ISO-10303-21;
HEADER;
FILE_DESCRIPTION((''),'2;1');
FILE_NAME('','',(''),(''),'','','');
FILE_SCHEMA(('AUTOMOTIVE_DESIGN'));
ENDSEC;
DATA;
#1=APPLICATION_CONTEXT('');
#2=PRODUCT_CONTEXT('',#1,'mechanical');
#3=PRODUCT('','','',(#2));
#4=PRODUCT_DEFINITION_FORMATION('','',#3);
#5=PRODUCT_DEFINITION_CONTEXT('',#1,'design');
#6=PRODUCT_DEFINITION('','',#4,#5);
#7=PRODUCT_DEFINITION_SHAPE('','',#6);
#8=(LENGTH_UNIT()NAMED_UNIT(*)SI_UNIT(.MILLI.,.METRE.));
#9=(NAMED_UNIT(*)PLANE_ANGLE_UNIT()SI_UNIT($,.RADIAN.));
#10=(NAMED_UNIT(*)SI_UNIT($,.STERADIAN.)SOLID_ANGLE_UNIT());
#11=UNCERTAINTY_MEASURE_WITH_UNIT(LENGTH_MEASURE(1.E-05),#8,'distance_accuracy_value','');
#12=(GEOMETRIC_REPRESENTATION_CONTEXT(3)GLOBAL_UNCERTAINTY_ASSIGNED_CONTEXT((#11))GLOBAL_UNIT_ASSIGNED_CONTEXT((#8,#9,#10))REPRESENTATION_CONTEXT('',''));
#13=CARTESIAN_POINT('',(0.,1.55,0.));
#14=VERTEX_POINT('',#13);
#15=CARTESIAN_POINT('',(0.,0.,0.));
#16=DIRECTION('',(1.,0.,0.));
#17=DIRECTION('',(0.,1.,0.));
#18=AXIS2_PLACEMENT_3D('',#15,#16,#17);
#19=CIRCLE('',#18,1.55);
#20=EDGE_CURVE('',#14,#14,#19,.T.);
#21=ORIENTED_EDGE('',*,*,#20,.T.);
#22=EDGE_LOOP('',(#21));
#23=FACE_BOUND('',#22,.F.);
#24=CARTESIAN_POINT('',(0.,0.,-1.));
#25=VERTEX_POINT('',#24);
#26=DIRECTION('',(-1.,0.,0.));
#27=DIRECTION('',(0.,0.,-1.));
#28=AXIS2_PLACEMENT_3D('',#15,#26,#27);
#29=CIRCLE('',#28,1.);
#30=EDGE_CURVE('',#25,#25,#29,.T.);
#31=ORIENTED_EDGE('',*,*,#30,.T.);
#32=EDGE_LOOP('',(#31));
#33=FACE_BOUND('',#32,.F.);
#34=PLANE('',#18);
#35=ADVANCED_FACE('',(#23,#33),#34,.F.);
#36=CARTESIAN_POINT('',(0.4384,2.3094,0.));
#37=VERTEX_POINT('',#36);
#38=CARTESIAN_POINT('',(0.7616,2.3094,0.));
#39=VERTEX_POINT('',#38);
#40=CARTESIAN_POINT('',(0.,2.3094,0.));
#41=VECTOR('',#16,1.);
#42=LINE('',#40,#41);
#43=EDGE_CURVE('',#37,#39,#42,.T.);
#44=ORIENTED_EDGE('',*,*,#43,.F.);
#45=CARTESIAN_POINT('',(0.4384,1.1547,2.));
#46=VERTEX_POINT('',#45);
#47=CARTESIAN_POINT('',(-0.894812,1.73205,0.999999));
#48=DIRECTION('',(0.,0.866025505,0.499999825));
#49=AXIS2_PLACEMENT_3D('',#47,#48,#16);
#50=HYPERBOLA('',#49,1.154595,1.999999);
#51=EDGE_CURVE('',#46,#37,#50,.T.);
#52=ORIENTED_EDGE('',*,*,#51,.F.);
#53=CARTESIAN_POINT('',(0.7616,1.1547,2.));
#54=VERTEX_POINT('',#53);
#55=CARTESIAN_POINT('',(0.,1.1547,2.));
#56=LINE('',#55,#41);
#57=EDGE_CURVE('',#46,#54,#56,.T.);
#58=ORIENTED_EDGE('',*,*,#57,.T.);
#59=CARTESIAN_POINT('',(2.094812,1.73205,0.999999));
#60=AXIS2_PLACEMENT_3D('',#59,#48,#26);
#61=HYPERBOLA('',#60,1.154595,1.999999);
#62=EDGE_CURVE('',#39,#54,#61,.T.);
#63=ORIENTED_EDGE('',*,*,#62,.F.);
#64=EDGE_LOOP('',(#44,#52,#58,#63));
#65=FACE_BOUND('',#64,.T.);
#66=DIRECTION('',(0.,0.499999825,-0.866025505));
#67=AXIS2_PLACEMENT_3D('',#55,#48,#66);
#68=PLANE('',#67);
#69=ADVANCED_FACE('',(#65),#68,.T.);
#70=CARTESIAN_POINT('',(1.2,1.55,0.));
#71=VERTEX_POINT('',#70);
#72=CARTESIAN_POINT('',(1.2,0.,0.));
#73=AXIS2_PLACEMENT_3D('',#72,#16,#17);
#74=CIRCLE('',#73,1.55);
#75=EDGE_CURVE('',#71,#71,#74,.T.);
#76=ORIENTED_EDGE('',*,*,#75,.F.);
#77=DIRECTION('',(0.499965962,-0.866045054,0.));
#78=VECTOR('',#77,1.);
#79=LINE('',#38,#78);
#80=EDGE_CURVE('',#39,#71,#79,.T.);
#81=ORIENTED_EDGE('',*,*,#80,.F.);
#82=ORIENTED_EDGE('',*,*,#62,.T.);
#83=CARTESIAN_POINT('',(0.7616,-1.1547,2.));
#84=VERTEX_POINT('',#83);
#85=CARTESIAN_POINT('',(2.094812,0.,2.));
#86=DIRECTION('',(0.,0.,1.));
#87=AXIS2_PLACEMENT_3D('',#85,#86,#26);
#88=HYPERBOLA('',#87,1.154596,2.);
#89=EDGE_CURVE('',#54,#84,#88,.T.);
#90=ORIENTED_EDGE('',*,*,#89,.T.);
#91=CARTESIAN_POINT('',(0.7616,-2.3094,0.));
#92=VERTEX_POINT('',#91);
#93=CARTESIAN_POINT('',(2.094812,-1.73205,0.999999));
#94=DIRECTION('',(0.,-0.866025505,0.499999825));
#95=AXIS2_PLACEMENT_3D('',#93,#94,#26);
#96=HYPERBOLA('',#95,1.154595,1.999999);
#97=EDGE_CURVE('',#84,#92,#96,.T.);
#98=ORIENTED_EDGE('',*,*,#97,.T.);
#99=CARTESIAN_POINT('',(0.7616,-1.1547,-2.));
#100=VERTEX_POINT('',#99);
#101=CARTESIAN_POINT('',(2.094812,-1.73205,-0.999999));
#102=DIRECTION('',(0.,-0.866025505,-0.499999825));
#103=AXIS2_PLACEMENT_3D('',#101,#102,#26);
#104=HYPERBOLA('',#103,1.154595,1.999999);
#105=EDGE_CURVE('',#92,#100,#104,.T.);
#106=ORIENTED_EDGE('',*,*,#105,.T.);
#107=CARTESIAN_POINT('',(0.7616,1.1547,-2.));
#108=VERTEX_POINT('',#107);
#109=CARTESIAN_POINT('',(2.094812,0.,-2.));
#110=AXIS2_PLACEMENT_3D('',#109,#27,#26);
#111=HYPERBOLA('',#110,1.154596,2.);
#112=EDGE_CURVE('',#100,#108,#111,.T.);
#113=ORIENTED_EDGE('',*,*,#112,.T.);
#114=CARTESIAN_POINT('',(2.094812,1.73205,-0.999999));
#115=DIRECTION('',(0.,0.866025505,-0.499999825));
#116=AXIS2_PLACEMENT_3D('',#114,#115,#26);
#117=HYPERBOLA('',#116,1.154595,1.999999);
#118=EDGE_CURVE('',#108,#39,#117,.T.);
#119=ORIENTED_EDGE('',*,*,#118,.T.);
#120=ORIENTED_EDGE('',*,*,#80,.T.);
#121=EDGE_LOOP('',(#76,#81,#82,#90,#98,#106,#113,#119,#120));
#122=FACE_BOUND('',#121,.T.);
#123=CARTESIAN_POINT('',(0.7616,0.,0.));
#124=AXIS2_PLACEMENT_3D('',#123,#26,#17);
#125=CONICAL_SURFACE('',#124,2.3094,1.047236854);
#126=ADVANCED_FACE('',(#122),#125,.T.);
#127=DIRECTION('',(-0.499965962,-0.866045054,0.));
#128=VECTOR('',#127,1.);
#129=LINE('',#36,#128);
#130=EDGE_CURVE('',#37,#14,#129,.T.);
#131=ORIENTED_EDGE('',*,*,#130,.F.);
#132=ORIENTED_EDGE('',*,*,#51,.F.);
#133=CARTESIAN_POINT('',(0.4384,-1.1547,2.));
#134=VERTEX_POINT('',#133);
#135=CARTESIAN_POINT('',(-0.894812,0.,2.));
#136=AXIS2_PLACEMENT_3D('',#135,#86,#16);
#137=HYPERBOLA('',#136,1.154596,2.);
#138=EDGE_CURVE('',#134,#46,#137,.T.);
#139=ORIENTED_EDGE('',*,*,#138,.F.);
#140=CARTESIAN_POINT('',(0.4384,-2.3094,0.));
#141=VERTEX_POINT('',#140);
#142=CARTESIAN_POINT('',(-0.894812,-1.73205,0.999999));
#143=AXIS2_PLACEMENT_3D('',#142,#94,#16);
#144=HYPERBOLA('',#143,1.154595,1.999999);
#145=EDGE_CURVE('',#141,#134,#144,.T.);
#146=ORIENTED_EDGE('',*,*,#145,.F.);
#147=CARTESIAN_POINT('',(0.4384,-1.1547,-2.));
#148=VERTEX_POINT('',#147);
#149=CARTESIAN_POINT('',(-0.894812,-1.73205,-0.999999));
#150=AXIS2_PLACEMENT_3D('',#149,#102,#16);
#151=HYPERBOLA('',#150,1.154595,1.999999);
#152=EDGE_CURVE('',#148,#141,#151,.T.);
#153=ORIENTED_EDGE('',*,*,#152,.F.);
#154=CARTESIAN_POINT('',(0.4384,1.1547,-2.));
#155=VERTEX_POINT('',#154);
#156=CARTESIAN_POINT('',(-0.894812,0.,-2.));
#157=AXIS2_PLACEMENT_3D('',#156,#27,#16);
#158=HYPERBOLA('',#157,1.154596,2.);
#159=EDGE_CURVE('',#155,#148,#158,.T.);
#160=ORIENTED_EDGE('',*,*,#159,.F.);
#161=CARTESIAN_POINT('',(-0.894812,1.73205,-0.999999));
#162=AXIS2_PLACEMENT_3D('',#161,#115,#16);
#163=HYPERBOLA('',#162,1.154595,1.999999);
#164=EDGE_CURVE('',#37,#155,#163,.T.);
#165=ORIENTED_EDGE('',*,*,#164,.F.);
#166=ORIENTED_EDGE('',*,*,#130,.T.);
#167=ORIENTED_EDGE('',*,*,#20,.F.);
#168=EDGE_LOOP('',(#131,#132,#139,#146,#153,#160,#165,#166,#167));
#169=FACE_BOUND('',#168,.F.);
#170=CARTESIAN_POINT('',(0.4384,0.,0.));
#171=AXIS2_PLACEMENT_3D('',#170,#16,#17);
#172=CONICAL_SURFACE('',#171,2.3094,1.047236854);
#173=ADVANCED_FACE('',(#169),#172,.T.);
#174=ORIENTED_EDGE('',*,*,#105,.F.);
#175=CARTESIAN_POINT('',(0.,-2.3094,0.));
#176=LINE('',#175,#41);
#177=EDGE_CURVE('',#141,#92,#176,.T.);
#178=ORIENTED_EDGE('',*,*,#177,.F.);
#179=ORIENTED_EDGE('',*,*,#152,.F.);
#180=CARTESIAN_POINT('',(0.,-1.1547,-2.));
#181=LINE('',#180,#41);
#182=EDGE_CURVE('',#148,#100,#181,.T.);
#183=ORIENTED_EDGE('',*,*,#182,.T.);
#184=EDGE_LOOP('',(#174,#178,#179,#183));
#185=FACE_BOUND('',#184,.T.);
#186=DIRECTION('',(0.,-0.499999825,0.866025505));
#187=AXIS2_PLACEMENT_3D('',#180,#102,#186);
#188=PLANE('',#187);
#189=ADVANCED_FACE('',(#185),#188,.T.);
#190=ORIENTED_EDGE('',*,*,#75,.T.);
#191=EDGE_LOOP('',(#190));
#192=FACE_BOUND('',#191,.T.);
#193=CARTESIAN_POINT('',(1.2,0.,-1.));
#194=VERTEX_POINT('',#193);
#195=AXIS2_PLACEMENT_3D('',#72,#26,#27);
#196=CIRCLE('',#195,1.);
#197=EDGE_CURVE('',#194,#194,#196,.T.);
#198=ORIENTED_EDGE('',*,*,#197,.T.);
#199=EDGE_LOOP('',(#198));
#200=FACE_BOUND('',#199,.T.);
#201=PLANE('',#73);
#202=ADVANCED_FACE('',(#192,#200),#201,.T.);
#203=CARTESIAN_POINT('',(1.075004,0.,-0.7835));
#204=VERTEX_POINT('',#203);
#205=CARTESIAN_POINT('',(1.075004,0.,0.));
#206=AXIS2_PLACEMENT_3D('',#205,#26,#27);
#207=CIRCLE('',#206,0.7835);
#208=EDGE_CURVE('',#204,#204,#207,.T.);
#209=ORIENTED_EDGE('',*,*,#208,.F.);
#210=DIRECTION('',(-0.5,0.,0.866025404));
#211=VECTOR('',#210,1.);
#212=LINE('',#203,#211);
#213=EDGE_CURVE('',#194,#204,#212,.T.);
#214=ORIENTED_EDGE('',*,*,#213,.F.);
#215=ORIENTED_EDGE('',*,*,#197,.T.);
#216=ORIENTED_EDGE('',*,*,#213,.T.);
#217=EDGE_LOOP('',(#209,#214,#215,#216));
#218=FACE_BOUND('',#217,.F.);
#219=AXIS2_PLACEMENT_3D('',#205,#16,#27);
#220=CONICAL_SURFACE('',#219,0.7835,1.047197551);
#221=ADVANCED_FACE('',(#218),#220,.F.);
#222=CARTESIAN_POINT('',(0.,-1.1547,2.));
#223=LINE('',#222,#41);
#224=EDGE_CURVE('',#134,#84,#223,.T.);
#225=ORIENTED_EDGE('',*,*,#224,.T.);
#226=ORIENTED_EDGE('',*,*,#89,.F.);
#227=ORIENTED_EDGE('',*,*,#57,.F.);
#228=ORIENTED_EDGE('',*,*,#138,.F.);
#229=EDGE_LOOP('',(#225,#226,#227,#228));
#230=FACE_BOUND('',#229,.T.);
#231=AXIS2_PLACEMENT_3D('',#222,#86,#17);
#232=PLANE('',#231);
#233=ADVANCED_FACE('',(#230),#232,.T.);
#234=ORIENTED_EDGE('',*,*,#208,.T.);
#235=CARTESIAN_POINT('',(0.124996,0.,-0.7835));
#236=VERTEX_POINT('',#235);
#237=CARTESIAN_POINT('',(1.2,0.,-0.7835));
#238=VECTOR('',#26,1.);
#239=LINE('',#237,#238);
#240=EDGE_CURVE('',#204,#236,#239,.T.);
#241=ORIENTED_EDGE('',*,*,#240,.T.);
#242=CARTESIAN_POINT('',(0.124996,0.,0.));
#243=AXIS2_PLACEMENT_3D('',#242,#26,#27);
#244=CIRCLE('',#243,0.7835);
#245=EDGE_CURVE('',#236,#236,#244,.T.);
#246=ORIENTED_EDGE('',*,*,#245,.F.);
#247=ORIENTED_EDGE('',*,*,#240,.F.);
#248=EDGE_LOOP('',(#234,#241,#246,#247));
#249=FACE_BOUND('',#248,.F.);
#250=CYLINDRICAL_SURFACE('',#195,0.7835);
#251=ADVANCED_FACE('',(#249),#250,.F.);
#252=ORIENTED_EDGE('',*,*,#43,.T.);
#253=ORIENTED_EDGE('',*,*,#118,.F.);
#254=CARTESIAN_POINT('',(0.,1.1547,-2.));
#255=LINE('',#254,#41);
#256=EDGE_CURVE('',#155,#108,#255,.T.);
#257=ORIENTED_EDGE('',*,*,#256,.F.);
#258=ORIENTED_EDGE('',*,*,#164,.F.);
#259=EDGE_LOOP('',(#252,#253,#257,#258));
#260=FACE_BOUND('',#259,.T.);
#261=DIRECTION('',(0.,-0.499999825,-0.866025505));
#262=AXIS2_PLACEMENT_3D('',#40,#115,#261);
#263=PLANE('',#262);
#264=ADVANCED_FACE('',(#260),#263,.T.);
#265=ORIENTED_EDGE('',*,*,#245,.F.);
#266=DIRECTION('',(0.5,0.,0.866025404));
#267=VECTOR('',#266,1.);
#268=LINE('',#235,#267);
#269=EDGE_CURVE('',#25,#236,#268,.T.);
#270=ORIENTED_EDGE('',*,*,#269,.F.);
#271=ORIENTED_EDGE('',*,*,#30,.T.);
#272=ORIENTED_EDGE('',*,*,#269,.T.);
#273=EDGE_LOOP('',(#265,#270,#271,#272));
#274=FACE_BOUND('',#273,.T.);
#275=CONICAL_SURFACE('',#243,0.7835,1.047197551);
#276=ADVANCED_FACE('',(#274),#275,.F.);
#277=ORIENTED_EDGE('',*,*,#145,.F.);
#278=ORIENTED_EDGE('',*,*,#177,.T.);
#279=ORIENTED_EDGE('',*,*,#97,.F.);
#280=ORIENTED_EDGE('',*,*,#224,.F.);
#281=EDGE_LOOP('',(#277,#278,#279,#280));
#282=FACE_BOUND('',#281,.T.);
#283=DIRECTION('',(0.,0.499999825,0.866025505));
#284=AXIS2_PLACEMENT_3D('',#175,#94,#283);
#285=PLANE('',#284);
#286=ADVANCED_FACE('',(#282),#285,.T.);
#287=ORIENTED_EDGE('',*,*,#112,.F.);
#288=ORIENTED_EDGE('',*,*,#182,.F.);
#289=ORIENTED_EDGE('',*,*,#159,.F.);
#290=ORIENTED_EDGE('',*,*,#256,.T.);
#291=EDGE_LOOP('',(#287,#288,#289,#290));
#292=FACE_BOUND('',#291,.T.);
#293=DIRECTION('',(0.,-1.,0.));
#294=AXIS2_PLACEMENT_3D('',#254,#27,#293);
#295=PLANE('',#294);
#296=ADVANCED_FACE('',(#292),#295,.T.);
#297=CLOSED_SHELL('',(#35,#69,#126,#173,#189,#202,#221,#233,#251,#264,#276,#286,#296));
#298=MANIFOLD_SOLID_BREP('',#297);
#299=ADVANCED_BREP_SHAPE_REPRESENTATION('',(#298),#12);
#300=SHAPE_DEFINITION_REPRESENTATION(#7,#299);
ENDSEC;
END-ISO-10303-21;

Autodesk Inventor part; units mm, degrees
ref_plane "YZ Plane" through (0, 0, 0) normal (1, 0, 0) x (0, 1, 0)
ref_plane "XZ Plane" through (0, 0, 0) normal (0, 1, 0) x (-1, 0, 0)
sketch "Sketch1" plane through (0, 0, 0) normal (1, 0, 0) x (0, 1, 0)
  line L0 (-2.3094, 0) -> (-1.1547, 2)
  line L1 (-1.1547, 2) -> (1.1547, 2)
  line L2 (1.1547, 2) -> (2.3094, 0)
  line L3 (2.3094, 0) -> (1.1547, -2)
  line L4 (1.1547, -2) -> (-1.1547, -2)
  line L5 (-1.1547, -2) -> (-2.3094, 0)
  point P0 (0, 0)
  point P1 (0, 0)
  dimension "d0" = 4.6188
extrude "Body" add sketch "Sketch1" along normal blind 1.2
sketch "Sketch2" plane through (0, 0, 0) normal (0, 0, 1) x (1, 0, 0)
  line L0 (0, 1.1547) -> (0, 2.3094) projected
  line L1 (0, 2.3094) -> (1.2, 2.3094) projected
  line L2 (1.2, 1.1547) -> (1.2, 2.3094) projected
  line L3 (-0.24, 0) -> (1.44, 0) projected
  line L4 (0.4384, 2.3094) -> (0, 1.55)
  line L5 (0.7616, 2.3094) -> (1.2, 1.55)
  dimension "d3" = 30
  dimension "d4" = 30
  dimension "d5" = 3.1
  dimension "d6" = 3.1
revolve "Chamfer1" cut sketch "Sketch2" angle 360 about axis through (-10, 0, 0) along (1, 0, 0)
sketch "Sketch3" plane through (1.2, 0, 0) normal (1, 0, 0) x (0, 0, -1)
  arc A0 (-0.625, -1.0825) -> (0.625, -1.0825) centre (0, 0) ccw projected
hole "Thread" at (1.2, 0, 0) direction (-1, 0, 0) diameter 1.567 end through all thread size "M2x0.4" class "6H" standard "ISO Metric profile"
chamfer "Chamfer2" distance 0.2165 angle 30 1 edges at (1.2, 0, 0.7835) measured on face at (1.2, 1.2776, -0.1551)
chamfer "Chamfer3" distance 0.2165 angle 30 1 edges at (0, 0, 0.7835) measured on face at (0, 1.2776, -0.1551)
ref_plane "Work Plane1" through (-5.0268, 0, 0) normal (0, -0.866, -0.5) x (1, 0, 0)
equation "\"d0\" = 1.1547 * SW"
equation "\"d1\" = KOH"
equation "\"d8\" = -0.5 * GD1 + 0.5 * NND"
equation "\"d40\" = -0.5 * GD1 + 0.5 * NND"
equation "\"d10\" = -0.5 * GD1 + 0.5 * NND"
equation "\"d41\" = -0.5 * GD1 + 0.5 * NND"
equation "\"d3\" = ANG1"
equation "\"d4\" = ANG2"
equation "\"d5\" = SW0"
equation "\"d6\" = SW01"
equation "\"ANG1\" = 30deg"
equation "\"ANG2\" = 30deg"
equation "\"NND\" = 2"
equation "\"KOH\" = 1.2"
equation "\"SW\" = 4"
equation "\"SW0\" = 3.1"
equation "\"SW01\" = SW0"
equation "\"GUL\" = 0.541266 * PTC"
equation "\"THREADDIA\" = 2"
equation "\"TOA\" = 30deg"
equation "\"PTC\" = 0.4"
equation "\"E0\" = 1.155 * SW"
equation "\"GAL\" = 0.541266 * PTC"
equation "\"GD1\" = 1.566987"
properties part number "ISO 4035 - M2" material "Stainless Steel, 440C"
